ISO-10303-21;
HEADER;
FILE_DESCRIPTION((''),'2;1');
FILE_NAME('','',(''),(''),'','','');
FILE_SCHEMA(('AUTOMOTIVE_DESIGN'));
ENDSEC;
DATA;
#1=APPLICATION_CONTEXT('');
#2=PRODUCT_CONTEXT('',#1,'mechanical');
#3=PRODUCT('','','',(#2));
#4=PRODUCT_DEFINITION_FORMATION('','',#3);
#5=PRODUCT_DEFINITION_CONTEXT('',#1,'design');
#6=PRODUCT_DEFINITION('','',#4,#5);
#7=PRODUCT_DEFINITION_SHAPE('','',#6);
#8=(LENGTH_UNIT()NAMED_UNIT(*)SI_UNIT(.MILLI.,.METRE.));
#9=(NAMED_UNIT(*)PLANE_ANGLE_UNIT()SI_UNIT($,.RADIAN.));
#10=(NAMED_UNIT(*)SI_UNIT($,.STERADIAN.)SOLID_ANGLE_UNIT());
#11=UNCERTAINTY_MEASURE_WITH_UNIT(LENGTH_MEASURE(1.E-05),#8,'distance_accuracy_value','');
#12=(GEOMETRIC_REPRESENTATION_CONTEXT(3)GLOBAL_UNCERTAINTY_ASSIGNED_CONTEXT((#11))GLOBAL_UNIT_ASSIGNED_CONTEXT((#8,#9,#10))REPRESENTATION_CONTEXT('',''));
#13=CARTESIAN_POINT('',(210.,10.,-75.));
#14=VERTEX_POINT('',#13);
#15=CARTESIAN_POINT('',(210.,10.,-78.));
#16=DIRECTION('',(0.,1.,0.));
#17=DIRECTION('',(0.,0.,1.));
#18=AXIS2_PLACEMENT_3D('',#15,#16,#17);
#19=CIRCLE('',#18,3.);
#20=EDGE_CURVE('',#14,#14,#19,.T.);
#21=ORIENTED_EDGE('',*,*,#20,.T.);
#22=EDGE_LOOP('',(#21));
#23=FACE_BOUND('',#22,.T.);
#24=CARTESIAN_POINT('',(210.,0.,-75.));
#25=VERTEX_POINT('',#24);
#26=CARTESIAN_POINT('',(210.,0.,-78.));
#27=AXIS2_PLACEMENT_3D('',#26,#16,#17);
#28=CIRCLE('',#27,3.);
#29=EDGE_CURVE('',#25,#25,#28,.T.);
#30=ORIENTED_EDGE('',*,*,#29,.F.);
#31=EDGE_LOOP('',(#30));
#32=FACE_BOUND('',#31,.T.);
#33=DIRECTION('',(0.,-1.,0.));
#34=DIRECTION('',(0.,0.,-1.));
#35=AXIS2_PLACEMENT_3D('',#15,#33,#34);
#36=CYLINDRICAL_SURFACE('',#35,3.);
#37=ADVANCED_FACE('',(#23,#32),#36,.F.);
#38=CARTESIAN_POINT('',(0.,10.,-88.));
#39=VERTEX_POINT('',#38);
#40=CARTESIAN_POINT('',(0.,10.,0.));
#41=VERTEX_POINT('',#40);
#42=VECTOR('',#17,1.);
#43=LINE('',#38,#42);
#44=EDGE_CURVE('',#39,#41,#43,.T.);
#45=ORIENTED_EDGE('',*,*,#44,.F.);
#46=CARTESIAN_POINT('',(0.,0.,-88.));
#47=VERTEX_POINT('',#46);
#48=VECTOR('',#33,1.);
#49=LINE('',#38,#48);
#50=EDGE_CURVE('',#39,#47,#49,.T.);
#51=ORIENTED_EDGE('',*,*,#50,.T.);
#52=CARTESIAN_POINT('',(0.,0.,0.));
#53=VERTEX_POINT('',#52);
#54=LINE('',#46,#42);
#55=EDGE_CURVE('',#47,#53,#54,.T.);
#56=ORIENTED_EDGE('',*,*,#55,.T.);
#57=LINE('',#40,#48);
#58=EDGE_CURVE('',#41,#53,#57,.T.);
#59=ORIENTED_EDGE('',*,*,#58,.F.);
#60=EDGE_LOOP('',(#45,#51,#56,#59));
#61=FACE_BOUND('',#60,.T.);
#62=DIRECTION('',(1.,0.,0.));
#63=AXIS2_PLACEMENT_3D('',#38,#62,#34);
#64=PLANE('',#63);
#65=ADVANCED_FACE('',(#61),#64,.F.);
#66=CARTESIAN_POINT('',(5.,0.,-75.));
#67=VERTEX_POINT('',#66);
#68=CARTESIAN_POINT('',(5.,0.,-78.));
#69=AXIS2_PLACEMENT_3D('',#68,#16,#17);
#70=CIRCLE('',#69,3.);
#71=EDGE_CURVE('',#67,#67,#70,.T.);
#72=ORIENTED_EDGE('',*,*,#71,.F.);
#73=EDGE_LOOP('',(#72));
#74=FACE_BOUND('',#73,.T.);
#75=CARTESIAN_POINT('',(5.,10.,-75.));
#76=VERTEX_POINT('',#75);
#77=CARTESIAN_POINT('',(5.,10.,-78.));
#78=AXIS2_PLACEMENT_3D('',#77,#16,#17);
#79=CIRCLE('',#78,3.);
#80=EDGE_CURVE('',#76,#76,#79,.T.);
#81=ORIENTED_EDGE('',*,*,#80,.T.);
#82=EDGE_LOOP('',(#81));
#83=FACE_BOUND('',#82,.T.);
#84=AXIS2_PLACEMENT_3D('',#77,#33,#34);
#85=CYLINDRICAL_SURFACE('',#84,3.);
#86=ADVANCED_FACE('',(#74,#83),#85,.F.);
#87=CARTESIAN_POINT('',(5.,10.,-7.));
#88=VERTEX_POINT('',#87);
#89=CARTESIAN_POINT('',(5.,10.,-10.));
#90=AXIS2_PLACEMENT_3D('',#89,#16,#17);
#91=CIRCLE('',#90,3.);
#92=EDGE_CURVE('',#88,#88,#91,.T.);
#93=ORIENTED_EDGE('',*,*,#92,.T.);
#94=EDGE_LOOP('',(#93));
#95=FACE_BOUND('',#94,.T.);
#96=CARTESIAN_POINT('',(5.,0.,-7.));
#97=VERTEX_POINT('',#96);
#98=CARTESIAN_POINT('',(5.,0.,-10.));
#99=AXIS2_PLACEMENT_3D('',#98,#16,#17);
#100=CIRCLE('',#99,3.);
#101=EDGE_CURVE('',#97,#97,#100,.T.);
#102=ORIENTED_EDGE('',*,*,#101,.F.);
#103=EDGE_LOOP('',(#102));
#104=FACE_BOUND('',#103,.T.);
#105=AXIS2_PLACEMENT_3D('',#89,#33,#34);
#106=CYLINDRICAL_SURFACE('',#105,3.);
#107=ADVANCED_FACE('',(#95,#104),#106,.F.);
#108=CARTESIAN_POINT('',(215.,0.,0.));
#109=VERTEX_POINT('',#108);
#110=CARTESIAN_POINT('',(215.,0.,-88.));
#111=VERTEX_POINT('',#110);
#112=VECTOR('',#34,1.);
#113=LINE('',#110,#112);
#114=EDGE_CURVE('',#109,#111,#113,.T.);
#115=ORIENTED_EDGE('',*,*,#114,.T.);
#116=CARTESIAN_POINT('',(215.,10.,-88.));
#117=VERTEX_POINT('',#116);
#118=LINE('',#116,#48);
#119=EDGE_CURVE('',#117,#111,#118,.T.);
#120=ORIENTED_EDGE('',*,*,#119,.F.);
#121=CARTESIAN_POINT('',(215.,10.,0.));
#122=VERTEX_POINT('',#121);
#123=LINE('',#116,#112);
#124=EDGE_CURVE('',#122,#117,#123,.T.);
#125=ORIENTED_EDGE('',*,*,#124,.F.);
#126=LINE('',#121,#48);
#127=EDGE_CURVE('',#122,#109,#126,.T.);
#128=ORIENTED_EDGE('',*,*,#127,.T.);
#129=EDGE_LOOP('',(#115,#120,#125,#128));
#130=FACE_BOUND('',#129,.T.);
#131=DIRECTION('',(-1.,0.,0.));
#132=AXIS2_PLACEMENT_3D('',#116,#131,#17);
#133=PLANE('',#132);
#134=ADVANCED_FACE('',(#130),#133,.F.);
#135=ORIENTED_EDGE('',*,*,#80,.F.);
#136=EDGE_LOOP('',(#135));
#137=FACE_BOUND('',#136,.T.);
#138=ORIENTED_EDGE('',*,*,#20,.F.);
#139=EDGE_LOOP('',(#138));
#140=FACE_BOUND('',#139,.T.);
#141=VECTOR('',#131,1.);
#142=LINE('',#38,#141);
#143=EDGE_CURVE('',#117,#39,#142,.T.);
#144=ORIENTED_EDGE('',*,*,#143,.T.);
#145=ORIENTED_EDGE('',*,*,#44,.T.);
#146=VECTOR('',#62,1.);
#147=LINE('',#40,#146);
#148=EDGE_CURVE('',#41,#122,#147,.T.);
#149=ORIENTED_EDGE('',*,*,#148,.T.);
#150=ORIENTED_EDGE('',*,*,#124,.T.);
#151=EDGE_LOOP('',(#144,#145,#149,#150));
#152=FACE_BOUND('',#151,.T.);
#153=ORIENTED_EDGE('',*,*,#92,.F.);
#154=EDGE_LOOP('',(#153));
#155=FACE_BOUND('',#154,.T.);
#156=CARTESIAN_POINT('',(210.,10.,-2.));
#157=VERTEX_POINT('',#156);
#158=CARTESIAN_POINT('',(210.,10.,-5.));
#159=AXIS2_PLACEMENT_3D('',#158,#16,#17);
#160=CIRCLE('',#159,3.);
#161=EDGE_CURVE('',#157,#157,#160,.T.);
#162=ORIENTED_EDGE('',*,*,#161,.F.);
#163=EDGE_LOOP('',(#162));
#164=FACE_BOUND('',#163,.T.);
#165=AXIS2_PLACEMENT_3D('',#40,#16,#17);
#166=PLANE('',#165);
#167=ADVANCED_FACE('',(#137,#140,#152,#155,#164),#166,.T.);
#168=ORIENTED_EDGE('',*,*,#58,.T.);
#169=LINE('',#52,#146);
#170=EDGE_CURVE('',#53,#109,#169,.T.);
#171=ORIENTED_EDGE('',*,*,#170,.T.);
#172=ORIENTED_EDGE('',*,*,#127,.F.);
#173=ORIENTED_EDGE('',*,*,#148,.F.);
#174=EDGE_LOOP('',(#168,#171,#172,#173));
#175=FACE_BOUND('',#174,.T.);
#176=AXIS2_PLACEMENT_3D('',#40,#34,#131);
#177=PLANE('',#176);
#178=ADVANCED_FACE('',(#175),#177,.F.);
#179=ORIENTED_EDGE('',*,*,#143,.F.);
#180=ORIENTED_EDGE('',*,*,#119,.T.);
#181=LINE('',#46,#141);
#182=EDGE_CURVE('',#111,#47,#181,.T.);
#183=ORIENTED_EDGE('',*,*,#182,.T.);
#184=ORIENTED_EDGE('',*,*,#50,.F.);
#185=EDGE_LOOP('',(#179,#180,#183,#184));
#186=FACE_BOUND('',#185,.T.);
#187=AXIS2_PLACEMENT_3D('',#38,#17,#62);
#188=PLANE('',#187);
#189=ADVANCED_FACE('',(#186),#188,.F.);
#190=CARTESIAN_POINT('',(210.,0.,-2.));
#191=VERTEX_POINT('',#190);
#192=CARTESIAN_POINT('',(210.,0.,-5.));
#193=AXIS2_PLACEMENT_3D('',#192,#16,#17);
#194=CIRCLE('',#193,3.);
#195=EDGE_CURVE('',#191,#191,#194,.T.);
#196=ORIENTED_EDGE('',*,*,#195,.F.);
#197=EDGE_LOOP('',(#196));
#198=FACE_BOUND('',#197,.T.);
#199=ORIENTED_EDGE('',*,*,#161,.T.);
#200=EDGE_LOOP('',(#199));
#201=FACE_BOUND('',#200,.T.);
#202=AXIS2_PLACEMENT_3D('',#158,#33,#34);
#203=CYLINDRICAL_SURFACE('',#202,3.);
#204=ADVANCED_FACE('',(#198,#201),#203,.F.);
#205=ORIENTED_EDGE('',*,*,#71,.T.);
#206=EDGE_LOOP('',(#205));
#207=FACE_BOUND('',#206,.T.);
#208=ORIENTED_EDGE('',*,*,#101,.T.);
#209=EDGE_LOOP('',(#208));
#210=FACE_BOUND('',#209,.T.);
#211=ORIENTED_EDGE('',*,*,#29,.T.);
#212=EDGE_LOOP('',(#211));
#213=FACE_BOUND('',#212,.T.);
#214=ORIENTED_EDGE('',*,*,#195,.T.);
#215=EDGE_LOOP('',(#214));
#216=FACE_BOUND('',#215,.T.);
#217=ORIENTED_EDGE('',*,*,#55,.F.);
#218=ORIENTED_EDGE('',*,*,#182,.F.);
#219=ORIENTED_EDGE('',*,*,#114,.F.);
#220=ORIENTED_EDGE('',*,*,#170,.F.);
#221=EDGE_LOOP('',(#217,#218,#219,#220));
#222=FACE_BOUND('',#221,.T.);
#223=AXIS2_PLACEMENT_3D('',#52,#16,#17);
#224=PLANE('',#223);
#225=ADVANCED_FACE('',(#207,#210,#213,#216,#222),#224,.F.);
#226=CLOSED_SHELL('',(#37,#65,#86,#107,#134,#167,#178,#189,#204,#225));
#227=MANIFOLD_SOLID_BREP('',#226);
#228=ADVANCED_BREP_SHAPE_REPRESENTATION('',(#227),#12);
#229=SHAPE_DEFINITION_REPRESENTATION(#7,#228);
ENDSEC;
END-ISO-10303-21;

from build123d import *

# Parameters (mm, degrees)
SKETCH1_W           = 215
SKETCH1_H           = 88
SKETCH1_R           = 3
BOSS_EXTRUDE1_DEPTH = 10


with BuildPart() as part:
    # Sketch1 → Boss-Extrude1 (new body)
    with BuildSketch(Plane(origin=(0, 0, 0), x_dir=(1, 0, 0), z_dir=(0, 1, 0))):
        with Locations((107.5, 44)):
            Rectangle(SKETCH1_W, SKETCH1_H)
        with Locations((5, 78)):
            Circle(SKETCH1_R, mode=Mode.SUBTRACT)
        with Locations((5, 10)):
            Circle(SKETCH1_R, mode=Mode.SUBTRACT)
        with Locations((210, 78)):
            Circle(SKETCH1_R, mode=Mode.SUBTRACT)
        with Locations((210, 5)):
            Circle(SKETCH1_R, mode=Mode.SUBTRACT)
    extrude(amount=BOSS_EXTRUDE1_DEPTH)


solid = part.part
